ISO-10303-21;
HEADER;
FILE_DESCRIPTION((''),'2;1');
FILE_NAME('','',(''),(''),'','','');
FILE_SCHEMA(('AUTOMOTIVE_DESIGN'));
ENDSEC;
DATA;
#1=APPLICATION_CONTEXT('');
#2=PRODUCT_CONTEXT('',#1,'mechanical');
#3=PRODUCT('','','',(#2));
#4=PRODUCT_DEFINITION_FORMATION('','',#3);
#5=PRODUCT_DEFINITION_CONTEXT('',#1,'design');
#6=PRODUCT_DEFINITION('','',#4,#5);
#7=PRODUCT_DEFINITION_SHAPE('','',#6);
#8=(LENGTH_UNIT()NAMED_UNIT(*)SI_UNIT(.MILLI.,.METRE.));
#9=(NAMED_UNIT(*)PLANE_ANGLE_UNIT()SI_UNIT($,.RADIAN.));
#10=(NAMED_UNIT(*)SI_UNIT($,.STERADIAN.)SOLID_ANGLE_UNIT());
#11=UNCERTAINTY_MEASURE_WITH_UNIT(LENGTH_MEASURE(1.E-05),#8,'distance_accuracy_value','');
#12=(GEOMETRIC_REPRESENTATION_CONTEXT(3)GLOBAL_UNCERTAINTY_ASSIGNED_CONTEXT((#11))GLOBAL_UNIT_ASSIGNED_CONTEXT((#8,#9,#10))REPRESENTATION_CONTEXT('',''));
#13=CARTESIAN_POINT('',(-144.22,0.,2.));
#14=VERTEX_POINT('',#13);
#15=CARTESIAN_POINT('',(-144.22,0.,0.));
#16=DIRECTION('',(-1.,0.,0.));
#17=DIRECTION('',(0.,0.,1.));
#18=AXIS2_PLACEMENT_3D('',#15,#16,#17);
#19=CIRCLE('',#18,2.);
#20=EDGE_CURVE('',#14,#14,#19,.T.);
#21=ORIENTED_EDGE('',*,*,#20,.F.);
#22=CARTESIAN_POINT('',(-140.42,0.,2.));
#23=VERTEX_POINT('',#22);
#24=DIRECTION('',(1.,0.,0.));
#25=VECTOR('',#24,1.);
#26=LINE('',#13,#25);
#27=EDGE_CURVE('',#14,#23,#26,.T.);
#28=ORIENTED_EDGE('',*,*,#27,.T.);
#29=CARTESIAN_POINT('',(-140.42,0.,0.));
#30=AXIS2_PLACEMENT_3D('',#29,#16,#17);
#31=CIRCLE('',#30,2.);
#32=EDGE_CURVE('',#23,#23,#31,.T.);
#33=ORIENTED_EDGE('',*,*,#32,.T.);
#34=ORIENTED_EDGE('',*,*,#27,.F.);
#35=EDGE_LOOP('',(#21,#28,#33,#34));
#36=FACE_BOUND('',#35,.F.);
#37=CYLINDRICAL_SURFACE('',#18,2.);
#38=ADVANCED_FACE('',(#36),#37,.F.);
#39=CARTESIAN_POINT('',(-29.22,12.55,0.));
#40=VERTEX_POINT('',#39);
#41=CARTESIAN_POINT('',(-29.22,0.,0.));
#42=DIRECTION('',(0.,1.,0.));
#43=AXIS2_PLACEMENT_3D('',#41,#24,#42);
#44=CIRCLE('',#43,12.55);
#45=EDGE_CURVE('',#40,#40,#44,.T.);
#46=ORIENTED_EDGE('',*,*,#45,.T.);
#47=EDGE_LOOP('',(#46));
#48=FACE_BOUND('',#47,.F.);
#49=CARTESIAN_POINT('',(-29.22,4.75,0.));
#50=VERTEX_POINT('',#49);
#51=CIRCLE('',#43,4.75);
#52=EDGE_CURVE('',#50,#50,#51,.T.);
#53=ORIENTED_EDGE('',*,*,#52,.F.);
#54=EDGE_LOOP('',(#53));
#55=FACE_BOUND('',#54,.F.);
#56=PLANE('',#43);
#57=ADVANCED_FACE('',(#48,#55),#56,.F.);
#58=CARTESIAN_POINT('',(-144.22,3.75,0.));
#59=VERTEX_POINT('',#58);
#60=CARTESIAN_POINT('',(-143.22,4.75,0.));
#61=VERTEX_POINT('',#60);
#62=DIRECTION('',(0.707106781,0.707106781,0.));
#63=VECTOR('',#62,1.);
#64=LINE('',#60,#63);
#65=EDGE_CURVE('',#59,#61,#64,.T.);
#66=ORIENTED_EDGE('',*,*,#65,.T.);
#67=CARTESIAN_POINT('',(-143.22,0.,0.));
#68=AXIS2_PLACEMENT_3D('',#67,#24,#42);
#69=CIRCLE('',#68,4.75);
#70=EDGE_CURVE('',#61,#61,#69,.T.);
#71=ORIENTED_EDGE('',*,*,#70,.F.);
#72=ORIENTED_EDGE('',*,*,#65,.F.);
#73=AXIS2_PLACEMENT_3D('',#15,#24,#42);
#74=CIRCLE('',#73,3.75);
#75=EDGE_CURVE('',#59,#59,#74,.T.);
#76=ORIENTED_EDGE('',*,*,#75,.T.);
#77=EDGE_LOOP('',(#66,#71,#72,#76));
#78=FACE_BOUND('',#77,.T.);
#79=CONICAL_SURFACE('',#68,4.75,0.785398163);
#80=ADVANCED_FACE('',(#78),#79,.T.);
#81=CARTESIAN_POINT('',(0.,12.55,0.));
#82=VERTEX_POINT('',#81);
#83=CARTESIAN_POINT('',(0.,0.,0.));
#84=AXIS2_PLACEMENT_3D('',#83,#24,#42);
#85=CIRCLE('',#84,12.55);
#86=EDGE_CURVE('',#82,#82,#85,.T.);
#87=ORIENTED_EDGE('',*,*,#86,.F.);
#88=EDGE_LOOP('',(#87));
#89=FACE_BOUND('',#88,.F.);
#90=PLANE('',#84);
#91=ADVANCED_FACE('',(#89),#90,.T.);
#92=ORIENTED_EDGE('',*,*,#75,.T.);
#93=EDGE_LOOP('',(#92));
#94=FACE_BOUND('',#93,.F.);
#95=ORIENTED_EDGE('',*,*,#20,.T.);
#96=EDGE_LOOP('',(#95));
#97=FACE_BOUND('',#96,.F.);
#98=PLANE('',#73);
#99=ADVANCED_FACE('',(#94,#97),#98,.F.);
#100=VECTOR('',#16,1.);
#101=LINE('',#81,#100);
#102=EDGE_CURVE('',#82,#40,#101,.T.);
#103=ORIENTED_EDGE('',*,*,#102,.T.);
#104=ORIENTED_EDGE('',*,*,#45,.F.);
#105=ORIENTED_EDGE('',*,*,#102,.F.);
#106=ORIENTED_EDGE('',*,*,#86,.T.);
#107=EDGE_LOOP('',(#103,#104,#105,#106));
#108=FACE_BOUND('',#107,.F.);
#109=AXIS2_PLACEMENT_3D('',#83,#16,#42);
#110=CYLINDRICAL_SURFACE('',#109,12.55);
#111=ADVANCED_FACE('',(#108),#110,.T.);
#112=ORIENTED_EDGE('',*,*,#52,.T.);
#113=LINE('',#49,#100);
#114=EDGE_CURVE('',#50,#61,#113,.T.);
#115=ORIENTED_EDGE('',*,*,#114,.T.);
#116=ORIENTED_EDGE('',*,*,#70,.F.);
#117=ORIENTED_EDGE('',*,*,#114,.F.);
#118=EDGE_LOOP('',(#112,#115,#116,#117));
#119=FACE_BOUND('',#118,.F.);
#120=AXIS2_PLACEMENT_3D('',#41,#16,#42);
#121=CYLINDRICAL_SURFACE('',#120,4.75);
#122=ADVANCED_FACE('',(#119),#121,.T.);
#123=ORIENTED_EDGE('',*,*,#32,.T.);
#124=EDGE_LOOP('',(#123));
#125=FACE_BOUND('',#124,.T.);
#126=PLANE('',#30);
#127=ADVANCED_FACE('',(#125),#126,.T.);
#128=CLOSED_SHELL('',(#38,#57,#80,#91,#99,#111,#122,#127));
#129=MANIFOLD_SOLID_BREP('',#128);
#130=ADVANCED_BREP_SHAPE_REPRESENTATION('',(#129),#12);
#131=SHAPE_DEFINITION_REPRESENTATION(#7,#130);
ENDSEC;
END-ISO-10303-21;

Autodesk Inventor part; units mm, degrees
ref_plane "YZ Plane" through (0, 0, 0) normal (1, 0, 0) x (0, 1, 0)
ref_plane "XZ Plane" through (0, 0, 0) normal (0, 1, 0) x (-1, 0, 0)
ref_plane "XY Plane" through (0, 0, 0) normal (0, 0, 1) x (1, 0, 0)
sketch "草圖1" plane through (0, 0, 0) normal (0, 0, 1) x (1, 0, 0)
  line L0 (0, 0) -> (0, 12.55)
  line L1 (0, 12.55) -> (-29.22, 12.55)
  line L2 (-29.22, 12.55) -> (-29.22, 4.75)
  line L3 (-29.22, 4.75) -> (-144.22, 4.75)
  line L4 (-144.22, 4.75) -> (-144.22, 0)
  line L5 (-144.22, 0) -> (0, 0)
  dimension "d0" = 29.22
  dimension "d1" = 12.55
  dimension "d2" = 115
  dimension "d3" = 4.75
revolve "迴轉1" add sketch "草圖1" angle 360 about axis through (-144.22, 0, 0) along (1, 0, 0)
chamfer "倒角1" distance 1 angle 45 1 edges at (-144.22, -4.75, 0)
thread "螺紋1" size "M10x1.5" class "6g" standard "ANSI Metric M Profile" length 105.9
sketch "草圖2" plane through (-144.22, 0, 0) normal (-1, 0, 0) x (0, 0, 1)
  circle A0 centre (0, 0) radius 2
  dimension "d10" = 4
extrude "擠出1" cut sketch "草圖2" against normal blind 3.8
properties part number "螺桿" material "鋁合金 6061"
